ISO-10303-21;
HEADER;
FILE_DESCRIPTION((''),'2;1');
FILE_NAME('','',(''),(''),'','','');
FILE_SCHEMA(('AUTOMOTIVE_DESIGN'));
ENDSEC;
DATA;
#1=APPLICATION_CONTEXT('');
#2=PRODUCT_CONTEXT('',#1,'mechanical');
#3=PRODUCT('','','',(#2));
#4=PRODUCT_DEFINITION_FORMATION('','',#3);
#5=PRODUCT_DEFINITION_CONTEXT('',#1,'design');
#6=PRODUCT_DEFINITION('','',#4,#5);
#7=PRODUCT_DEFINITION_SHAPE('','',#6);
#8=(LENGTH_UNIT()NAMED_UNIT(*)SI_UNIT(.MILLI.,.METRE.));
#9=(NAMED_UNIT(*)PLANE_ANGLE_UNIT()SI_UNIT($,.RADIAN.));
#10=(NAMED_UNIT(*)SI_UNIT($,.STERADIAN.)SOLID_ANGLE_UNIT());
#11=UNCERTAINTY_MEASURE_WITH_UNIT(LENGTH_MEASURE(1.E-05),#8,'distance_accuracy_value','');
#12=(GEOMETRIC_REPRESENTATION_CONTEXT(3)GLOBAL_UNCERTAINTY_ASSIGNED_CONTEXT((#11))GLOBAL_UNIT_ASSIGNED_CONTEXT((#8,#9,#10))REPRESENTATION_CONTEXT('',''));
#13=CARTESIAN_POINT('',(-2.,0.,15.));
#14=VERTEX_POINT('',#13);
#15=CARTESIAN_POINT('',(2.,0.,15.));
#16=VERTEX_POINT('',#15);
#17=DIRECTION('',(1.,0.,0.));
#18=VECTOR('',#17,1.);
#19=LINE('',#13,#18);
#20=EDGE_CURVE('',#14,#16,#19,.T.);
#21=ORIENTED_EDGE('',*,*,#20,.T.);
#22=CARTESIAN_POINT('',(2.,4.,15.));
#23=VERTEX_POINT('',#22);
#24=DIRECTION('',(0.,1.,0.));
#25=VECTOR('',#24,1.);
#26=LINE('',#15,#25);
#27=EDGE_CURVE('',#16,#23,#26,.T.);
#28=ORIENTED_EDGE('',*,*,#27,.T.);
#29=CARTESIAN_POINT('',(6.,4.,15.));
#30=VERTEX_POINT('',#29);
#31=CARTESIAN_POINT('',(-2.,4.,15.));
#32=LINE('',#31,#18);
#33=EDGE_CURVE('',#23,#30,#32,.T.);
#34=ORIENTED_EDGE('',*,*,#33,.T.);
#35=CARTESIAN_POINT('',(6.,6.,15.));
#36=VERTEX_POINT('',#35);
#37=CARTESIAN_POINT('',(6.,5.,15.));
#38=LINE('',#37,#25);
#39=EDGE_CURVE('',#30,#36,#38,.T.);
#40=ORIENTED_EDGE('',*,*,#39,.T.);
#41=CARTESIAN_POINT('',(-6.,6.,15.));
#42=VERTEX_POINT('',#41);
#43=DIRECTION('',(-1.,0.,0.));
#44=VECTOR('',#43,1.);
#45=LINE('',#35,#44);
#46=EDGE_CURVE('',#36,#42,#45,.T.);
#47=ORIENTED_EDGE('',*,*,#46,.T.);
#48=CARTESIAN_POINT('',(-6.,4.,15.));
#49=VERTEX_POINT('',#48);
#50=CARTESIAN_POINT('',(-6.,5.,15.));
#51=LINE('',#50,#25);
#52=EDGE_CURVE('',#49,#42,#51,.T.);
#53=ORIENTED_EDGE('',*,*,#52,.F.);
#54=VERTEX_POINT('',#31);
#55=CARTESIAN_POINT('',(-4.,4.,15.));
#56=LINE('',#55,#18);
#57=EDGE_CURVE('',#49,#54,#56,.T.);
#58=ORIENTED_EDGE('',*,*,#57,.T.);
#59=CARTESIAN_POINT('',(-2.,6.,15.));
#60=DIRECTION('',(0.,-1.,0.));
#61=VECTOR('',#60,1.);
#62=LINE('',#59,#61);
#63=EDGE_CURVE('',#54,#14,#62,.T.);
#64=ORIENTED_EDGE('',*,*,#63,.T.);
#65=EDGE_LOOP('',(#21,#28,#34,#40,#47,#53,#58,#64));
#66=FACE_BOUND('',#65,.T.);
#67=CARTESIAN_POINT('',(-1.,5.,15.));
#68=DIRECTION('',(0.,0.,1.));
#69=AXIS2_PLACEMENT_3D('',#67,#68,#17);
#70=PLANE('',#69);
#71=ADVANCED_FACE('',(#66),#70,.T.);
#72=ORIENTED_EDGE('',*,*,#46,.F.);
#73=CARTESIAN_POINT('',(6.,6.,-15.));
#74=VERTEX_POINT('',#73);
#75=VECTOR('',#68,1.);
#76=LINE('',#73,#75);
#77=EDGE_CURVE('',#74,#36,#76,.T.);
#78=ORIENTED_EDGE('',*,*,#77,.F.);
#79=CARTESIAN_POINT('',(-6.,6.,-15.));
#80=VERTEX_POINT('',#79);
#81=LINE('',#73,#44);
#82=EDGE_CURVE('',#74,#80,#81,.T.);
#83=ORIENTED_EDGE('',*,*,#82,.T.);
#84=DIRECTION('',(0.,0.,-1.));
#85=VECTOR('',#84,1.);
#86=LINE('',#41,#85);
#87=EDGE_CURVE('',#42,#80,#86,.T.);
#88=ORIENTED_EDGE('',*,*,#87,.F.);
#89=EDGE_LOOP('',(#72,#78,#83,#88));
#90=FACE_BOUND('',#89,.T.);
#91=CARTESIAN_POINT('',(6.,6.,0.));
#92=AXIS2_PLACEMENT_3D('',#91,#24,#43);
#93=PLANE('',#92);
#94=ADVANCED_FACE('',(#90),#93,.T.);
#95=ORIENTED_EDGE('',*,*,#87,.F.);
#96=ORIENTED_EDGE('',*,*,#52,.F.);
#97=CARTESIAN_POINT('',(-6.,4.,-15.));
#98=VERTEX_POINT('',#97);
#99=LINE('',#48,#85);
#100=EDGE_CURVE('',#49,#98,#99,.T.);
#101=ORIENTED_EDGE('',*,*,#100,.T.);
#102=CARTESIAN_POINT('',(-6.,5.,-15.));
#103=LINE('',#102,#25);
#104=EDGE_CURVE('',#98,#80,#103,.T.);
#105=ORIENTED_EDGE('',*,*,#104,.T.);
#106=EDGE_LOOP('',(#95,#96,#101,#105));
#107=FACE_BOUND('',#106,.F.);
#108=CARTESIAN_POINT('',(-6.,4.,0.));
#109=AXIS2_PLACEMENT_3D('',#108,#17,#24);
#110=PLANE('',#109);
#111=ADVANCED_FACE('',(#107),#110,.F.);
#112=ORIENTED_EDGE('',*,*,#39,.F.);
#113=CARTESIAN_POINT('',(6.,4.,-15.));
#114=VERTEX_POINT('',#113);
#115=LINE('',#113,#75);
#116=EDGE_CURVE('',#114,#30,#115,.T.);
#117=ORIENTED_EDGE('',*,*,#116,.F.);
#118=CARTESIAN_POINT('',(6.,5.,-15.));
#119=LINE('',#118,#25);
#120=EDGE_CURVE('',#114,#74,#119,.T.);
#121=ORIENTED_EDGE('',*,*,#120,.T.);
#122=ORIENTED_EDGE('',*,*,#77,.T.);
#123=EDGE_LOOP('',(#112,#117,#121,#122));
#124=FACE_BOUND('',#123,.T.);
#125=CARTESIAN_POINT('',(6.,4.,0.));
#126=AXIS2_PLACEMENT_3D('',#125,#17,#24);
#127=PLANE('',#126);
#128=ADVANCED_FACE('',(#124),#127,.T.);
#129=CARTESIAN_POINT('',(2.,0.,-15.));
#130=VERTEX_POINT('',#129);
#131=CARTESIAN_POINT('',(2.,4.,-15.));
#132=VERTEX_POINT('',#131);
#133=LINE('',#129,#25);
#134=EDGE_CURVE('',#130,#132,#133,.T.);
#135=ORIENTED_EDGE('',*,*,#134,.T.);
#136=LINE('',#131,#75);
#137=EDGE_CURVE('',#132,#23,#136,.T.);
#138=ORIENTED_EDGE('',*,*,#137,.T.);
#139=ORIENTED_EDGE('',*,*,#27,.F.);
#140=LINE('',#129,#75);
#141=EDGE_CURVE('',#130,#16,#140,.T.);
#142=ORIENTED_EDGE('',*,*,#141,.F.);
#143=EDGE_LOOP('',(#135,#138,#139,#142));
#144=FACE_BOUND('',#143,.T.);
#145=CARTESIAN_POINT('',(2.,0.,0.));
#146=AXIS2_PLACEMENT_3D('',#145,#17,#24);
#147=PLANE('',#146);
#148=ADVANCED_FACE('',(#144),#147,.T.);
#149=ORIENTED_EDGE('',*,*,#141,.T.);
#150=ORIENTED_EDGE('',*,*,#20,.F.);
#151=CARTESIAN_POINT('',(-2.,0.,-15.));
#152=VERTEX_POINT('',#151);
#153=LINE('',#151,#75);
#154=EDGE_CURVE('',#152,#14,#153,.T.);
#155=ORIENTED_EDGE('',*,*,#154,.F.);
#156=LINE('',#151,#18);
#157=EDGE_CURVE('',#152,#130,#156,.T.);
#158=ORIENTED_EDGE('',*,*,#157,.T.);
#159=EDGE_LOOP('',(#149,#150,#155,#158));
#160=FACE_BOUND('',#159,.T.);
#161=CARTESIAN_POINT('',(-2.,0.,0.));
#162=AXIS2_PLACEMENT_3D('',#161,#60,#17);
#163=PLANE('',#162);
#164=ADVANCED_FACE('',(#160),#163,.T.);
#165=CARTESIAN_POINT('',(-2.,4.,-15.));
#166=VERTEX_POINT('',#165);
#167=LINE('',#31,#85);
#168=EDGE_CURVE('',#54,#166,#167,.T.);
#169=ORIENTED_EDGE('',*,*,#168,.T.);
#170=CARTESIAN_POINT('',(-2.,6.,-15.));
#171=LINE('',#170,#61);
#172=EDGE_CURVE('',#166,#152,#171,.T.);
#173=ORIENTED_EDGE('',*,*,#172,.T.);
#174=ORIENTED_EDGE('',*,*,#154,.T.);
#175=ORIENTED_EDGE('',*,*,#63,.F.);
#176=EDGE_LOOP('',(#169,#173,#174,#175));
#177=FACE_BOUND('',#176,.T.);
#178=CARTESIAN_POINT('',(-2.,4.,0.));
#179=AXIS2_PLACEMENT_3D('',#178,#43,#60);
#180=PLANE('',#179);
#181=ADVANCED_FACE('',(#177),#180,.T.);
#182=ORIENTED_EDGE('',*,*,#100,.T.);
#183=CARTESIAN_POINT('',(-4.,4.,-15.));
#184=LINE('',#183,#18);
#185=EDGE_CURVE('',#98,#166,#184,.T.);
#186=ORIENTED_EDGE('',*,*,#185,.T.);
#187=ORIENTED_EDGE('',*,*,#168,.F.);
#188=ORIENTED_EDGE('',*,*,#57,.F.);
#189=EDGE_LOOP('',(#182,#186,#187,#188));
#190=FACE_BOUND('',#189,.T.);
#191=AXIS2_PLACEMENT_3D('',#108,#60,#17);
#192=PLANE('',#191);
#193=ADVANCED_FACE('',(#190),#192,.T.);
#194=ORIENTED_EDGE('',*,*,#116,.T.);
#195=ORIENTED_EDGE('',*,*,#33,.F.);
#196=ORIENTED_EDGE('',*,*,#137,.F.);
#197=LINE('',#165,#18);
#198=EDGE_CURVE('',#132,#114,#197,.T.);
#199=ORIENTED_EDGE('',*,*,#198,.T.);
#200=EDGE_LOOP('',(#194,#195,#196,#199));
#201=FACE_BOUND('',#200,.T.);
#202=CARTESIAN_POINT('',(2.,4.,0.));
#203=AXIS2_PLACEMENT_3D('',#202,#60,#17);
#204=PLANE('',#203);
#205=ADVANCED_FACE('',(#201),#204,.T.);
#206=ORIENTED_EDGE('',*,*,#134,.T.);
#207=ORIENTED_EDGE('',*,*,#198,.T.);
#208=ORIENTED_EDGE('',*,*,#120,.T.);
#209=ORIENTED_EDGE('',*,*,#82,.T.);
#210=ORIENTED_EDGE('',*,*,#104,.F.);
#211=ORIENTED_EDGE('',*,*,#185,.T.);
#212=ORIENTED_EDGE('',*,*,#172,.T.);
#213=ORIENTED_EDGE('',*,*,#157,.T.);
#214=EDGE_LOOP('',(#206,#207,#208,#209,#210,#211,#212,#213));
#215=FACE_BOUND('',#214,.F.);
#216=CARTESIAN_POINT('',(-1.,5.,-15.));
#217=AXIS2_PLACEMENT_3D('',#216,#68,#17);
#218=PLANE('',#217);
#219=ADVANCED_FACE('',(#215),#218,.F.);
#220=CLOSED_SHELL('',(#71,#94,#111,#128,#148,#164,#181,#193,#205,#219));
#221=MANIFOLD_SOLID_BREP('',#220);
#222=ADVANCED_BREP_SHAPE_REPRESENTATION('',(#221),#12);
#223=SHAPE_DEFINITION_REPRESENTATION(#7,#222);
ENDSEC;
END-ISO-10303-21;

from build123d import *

# Parameters (mm, degrees)
F0_W     = 2
F0_H     = 2
F0_W_2   = 4
F1_DEPTH = 15


with BuildPart() as f1:
    # F0 (on Top) → F1 (new body, symmetric)
    with BuildSketch(Plane.XY):
        with Locations((-1, 5)):
            Rectangle(F0_W, F0_H)
        with Locations((1, 5)):
            Rectangle(F0_W, F0_H)
        with Locations((4, 5)):
            Rectangle(F0_W_2, F0_H)
        Polygon((-2, 4), (-2, 0), (2, 0), (2, 4), (0, 4), align=None)
        with Locations((-4, 5)):
            Rectangle(F0_W_2, F0_H)
    extrude(amount=F1_DEPTH, both=True)


solid = f1.part
